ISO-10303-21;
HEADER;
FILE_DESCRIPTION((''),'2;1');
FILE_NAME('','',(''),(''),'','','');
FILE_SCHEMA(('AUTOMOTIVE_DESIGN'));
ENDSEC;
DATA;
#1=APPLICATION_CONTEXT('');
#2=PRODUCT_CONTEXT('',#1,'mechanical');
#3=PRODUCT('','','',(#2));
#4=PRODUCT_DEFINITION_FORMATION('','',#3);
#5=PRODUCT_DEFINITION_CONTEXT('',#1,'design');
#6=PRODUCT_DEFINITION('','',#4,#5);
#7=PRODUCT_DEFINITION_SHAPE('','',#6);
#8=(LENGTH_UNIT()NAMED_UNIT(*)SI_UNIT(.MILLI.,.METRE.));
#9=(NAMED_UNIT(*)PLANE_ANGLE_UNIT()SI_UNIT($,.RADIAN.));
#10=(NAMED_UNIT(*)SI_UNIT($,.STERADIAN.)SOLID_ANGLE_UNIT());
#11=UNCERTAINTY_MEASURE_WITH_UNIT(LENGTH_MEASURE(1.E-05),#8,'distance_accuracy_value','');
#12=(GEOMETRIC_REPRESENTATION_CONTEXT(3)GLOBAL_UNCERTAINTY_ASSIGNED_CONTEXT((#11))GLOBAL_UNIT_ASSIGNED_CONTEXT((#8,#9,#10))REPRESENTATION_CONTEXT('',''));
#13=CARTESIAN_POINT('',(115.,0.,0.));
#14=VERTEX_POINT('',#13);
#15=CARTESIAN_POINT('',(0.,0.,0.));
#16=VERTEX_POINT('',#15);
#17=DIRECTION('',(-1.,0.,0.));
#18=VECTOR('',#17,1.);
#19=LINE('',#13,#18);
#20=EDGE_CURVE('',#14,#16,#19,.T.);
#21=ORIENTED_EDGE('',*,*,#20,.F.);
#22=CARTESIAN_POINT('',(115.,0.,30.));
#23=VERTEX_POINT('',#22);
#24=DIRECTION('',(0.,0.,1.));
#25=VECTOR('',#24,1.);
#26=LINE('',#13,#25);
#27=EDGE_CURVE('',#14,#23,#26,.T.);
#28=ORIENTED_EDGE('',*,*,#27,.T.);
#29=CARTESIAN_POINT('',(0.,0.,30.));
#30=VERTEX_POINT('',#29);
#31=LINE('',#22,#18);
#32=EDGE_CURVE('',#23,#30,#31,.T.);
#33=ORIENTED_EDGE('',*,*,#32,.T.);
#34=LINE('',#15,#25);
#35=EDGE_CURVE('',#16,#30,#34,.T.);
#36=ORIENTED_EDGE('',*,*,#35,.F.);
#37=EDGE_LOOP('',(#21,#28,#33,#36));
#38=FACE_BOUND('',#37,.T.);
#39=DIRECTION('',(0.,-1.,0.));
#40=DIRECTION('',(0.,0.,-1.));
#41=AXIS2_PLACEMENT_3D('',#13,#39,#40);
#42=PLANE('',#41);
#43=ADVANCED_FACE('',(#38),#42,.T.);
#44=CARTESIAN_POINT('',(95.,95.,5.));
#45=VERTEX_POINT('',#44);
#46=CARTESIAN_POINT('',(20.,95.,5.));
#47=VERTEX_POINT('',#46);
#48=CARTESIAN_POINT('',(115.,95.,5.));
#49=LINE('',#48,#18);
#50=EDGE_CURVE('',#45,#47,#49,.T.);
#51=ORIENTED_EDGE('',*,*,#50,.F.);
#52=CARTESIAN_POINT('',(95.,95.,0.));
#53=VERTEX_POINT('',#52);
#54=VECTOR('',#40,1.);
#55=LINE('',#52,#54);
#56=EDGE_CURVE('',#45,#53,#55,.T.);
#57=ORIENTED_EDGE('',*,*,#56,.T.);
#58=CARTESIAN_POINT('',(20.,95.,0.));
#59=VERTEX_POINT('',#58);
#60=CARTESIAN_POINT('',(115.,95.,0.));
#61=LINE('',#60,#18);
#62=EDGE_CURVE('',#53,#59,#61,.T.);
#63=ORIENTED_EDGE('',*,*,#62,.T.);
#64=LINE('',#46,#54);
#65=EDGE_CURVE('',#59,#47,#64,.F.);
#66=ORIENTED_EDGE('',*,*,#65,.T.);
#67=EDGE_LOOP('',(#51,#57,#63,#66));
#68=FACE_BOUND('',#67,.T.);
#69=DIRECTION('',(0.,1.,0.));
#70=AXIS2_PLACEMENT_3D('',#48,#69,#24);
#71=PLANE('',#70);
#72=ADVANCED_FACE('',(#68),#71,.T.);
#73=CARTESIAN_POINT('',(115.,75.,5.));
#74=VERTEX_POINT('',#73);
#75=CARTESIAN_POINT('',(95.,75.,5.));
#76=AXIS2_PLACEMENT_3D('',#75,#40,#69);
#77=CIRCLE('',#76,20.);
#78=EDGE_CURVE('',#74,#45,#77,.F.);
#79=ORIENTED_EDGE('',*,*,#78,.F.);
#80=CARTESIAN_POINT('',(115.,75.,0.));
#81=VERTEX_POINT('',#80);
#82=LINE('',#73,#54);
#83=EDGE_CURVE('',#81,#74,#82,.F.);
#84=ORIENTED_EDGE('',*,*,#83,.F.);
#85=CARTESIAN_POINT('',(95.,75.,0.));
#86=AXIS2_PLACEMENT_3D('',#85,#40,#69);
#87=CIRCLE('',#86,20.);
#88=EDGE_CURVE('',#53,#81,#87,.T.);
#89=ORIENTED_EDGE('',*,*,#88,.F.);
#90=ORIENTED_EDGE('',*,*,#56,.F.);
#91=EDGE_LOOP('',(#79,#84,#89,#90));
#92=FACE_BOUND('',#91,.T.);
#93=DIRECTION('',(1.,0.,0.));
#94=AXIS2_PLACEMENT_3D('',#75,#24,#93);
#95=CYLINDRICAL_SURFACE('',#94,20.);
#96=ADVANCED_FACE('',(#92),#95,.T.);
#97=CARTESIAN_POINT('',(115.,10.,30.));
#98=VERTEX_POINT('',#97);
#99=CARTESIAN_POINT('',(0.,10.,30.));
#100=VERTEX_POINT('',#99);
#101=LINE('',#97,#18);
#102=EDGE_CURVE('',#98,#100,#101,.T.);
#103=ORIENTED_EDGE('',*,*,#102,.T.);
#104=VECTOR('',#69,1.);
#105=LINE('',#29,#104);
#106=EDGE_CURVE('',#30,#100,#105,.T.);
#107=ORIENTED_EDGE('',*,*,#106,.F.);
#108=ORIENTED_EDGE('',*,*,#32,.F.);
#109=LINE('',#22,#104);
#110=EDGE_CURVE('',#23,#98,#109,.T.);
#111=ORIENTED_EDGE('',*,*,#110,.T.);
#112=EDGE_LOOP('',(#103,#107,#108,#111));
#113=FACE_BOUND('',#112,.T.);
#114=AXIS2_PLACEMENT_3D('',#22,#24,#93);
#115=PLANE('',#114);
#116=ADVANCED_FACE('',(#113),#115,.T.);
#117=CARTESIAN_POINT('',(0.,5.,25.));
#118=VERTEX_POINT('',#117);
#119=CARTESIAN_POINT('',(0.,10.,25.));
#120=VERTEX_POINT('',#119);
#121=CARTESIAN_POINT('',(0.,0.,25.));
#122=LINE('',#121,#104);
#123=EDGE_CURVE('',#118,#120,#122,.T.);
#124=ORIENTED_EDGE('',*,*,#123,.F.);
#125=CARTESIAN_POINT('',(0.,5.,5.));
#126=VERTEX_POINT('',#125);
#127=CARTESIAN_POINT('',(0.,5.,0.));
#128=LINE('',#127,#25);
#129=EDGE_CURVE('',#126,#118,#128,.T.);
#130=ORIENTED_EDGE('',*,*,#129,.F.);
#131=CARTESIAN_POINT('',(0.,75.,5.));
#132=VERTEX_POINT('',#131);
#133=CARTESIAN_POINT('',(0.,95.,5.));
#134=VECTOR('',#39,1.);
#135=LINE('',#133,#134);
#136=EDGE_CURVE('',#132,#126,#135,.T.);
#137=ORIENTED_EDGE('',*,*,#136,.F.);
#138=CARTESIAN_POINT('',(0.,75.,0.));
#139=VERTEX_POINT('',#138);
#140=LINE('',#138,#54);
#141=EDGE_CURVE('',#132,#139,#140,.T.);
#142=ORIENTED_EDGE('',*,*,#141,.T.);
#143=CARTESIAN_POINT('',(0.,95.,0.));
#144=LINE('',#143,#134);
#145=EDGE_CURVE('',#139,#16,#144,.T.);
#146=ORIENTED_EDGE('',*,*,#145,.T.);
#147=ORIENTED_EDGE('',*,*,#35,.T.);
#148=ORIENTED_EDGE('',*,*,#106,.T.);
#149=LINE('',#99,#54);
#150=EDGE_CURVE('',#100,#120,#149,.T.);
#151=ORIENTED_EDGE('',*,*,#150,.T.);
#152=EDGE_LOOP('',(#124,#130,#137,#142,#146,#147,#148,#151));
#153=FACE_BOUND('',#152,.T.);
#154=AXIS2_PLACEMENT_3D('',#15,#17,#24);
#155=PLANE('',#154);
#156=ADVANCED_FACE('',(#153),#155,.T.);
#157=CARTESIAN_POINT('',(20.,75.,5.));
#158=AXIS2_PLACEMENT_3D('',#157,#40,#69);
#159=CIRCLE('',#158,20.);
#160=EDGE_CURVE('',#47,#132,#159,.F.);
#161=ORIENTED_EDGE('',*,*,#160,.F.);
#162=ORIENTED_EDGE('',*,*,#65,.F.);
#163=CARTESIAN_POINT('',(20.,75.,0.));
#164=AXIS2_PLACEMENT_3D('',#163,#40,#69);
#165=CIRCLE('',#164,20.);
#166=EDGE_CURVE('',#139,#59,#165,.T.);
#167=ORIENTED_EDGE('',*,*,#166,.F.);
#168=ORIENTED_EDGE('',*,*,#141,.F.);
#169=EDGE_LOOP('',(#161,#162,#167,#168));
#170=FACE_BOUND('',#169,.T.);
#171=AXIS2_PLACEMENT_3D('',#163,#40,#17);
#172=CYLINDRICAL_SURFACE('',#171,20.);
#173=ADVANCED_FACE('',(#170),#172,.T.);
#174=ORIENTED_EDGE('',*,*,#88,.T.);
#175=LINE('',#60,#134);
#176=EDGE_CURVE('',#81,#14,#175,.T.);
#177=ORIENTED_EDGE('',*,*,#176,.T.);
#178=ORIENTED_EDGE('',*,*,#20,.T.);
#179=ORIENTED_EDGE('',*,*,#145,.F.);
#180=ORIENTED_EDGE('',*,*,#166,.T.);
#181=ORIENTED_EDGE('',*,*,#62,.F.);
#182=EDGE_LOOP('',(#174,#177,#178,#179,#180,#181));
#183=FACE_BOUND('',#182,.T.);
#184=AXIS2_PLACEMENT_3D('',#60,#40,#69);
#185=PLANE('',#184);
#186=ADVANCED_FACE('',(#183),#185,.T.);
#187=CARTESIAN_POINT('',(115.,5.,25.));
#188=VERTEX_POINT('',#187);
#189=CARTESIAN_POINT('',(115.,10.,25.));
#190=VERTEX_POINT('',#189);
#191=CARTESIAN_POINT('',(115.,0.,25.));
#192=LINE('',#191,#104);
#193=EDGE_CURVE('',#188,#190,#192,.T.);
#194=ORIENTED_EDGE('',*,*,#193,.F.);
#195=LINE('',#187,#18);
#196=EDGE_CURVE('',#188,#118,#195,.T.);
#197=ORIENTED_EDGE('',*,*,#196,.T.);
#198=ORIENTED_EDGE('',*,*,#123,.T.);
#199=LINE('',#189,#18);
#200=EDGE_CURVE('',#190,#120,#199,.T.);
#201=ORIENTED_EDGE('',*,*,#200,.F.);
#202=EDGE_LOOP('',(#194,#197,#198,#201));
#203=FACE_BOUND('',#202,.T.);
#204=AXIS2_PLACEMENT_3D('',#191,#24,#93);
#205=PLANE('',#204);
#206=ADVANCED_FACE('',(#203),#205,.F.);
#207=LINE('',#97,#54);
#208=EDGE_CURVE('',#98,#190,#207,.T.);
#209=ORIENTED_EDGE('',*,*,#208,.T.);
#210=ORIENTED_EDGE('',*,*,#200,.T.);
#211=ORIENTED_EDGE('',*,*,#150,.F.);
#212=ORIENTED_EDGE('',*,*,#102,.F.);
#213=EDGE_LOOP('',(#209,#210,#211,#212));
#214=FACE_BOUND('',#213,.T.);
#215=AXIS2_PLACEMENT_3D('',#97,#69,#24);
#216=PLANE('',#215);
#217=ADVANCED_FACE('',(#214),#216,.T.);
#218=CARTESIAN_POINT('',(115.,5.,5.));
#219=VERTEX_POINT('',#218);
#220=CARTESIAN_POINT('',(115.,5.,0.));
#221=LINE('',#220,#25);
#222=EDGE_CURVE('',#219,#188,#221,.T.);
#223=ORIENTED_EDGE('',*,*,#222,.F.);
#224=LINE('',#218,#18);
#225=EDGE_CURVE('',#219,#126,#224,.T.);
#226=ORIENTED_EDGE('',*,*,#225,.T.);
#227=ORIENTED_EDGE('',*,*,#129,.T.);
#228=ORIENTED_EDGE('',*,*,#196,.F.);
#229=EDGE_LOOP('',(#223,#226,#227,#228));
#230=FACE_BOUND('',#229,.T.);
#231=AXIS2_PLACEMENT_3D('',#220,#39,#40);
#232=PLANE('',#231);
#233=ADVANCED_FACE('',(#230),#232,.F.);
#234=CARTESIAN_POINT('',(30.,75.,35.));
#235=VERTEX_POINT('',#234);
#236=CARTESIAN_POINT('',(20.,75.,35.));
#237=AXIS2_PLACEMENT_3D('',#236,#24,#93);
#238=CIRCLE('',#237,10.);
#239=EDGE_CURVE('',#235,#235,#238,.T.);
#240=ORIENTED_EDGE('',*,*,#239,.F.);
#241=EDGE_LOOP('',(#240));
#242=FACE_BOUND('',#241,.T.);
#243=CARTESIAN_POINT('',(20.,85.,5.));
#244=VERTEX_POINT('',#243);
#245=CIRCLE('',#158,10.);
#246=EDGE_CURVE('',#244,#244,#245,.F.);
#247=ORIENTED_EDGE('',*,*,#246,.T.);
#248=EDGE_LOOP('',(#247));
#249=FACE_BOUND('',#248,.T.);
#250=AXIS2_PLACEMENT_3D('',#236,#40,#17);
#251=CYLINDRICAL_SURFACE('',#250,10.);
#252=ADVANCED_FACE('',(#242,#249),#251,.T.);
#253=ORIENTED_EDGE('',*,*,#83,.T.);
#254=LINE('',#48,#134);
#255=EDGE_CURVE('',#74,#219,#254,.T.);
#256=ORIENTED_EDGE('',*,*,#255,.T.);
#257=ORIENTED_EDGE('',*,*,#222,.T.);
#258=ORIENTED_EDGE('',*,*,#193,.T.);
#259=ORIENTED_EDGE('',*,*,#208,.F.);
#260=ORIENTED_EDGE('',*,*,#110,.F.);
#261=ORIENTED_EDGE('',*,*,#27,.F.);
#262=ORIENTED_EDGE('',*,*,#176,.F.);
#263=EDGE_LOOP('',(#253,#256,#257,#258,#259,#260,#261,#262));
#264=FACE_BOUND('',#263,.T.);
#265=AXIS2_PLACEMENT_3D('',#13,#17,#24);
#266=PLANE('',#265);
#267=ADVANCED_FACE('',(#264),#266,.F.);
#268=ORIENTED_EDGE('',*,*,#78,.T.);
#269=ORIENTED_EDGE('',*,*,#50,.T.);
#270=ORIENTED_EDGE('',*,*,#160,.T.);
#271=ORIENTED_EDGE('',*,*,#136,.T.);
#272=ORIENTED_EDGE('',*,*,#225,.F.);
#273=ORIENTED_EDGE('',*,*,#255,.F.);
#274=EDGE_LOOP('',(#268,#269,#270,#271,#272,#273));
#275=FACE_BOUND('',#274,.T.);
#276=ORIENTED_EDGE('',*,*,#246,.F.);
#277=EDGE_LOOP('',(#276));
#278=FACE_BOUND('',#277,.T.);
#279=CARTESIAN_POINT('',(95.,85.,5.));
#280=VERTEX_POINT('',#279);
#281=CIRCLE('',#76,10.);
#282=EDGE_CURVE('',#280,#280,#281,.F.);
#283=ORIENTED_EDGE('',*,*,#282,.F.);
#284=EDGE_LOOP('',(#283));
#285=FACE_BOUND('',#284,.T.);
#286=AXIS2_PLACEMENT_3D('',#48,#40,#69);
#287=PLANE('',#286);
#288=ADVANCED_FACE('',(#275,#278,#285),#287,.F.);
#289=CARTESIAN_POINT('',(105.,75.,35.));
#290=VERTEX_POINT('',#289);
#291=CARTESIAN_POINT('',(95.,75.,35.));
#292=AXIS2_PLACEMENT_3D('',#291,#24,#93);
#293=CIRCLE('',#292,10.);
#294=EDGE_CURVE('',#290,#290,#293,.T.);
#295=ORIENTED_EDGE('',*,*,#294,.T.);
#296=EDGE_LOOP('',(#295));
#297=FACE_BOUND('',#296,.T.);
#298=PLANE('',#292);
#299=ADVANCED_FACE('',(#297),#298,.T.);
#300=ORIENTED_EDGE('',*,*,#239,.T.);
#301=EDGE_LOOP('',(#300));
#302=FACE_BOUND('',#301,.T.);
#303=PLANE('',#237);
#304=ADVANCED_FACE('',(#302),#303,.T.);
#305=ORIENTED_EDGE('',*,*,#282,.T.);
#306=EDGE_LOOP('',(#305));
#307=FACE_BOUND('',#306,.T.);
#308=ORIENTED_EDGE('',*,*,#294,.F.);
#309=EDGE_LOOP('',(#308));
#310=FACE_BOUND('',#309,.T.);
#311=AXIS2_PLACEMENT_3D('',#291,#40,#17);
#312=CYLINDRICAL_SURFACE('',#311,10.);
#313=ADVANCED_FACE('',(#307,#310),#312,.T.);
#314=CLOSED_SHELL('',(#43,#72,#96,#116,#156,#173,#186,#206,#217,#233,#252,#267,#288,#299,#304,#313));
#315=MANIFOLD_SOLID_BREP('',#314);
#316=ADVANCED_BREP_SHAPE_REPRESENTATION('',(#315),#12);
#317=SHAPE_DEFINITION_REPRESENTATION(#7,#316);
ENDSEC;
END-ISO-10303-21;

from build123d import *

# Parameters (mm, degrees)
EXTRUDE_THIN1_DEPTH = 115
FILLET1_R           = 20
SKETCH2_R           = 10
BOSS_EXTRUDE1_DEPTH = 30


with BuildPart() as part:
    # Sketch1 → Extrude-Thin1 (new body)
    with BuildSketch(Plane(origin=(0, 0, 0), x_dir=(0, 0, -1), z_dir=(1, 0, 0))):
        Polygon((0, 95), (0, 0), (-30, 0), (-30, 10), (-25, 10), (-25, 5), (-5, 5), (-5, 95), align=None)
    extrude(amount=EXTRUDE_THIN1_DEPTH)

    # Fillet1
    fillet1_edges = [part.edges().sort_by_distance(p)[0] for p in [
        (115, 95, 2.5),
        (0, 95, 2.5),
    ]]
    fillet(fillet1_edges, radius=FILLET1_R)

    # Sketch2 → Boss-Extrude1 (add)
    with BuildSketch(Plane.XY.offset(5)):
        with Locations(Location((20, 75, 0), (0, 0, 90))):
            Circle(SKETCH2_R)
        with Locations(Location((95, 75, 0), (0, 0, 90))):
            Circle(SKETCH2_R)
    extrude(amount=BOSS_EXTRUDE1_DEPTH)


solid = part.part
